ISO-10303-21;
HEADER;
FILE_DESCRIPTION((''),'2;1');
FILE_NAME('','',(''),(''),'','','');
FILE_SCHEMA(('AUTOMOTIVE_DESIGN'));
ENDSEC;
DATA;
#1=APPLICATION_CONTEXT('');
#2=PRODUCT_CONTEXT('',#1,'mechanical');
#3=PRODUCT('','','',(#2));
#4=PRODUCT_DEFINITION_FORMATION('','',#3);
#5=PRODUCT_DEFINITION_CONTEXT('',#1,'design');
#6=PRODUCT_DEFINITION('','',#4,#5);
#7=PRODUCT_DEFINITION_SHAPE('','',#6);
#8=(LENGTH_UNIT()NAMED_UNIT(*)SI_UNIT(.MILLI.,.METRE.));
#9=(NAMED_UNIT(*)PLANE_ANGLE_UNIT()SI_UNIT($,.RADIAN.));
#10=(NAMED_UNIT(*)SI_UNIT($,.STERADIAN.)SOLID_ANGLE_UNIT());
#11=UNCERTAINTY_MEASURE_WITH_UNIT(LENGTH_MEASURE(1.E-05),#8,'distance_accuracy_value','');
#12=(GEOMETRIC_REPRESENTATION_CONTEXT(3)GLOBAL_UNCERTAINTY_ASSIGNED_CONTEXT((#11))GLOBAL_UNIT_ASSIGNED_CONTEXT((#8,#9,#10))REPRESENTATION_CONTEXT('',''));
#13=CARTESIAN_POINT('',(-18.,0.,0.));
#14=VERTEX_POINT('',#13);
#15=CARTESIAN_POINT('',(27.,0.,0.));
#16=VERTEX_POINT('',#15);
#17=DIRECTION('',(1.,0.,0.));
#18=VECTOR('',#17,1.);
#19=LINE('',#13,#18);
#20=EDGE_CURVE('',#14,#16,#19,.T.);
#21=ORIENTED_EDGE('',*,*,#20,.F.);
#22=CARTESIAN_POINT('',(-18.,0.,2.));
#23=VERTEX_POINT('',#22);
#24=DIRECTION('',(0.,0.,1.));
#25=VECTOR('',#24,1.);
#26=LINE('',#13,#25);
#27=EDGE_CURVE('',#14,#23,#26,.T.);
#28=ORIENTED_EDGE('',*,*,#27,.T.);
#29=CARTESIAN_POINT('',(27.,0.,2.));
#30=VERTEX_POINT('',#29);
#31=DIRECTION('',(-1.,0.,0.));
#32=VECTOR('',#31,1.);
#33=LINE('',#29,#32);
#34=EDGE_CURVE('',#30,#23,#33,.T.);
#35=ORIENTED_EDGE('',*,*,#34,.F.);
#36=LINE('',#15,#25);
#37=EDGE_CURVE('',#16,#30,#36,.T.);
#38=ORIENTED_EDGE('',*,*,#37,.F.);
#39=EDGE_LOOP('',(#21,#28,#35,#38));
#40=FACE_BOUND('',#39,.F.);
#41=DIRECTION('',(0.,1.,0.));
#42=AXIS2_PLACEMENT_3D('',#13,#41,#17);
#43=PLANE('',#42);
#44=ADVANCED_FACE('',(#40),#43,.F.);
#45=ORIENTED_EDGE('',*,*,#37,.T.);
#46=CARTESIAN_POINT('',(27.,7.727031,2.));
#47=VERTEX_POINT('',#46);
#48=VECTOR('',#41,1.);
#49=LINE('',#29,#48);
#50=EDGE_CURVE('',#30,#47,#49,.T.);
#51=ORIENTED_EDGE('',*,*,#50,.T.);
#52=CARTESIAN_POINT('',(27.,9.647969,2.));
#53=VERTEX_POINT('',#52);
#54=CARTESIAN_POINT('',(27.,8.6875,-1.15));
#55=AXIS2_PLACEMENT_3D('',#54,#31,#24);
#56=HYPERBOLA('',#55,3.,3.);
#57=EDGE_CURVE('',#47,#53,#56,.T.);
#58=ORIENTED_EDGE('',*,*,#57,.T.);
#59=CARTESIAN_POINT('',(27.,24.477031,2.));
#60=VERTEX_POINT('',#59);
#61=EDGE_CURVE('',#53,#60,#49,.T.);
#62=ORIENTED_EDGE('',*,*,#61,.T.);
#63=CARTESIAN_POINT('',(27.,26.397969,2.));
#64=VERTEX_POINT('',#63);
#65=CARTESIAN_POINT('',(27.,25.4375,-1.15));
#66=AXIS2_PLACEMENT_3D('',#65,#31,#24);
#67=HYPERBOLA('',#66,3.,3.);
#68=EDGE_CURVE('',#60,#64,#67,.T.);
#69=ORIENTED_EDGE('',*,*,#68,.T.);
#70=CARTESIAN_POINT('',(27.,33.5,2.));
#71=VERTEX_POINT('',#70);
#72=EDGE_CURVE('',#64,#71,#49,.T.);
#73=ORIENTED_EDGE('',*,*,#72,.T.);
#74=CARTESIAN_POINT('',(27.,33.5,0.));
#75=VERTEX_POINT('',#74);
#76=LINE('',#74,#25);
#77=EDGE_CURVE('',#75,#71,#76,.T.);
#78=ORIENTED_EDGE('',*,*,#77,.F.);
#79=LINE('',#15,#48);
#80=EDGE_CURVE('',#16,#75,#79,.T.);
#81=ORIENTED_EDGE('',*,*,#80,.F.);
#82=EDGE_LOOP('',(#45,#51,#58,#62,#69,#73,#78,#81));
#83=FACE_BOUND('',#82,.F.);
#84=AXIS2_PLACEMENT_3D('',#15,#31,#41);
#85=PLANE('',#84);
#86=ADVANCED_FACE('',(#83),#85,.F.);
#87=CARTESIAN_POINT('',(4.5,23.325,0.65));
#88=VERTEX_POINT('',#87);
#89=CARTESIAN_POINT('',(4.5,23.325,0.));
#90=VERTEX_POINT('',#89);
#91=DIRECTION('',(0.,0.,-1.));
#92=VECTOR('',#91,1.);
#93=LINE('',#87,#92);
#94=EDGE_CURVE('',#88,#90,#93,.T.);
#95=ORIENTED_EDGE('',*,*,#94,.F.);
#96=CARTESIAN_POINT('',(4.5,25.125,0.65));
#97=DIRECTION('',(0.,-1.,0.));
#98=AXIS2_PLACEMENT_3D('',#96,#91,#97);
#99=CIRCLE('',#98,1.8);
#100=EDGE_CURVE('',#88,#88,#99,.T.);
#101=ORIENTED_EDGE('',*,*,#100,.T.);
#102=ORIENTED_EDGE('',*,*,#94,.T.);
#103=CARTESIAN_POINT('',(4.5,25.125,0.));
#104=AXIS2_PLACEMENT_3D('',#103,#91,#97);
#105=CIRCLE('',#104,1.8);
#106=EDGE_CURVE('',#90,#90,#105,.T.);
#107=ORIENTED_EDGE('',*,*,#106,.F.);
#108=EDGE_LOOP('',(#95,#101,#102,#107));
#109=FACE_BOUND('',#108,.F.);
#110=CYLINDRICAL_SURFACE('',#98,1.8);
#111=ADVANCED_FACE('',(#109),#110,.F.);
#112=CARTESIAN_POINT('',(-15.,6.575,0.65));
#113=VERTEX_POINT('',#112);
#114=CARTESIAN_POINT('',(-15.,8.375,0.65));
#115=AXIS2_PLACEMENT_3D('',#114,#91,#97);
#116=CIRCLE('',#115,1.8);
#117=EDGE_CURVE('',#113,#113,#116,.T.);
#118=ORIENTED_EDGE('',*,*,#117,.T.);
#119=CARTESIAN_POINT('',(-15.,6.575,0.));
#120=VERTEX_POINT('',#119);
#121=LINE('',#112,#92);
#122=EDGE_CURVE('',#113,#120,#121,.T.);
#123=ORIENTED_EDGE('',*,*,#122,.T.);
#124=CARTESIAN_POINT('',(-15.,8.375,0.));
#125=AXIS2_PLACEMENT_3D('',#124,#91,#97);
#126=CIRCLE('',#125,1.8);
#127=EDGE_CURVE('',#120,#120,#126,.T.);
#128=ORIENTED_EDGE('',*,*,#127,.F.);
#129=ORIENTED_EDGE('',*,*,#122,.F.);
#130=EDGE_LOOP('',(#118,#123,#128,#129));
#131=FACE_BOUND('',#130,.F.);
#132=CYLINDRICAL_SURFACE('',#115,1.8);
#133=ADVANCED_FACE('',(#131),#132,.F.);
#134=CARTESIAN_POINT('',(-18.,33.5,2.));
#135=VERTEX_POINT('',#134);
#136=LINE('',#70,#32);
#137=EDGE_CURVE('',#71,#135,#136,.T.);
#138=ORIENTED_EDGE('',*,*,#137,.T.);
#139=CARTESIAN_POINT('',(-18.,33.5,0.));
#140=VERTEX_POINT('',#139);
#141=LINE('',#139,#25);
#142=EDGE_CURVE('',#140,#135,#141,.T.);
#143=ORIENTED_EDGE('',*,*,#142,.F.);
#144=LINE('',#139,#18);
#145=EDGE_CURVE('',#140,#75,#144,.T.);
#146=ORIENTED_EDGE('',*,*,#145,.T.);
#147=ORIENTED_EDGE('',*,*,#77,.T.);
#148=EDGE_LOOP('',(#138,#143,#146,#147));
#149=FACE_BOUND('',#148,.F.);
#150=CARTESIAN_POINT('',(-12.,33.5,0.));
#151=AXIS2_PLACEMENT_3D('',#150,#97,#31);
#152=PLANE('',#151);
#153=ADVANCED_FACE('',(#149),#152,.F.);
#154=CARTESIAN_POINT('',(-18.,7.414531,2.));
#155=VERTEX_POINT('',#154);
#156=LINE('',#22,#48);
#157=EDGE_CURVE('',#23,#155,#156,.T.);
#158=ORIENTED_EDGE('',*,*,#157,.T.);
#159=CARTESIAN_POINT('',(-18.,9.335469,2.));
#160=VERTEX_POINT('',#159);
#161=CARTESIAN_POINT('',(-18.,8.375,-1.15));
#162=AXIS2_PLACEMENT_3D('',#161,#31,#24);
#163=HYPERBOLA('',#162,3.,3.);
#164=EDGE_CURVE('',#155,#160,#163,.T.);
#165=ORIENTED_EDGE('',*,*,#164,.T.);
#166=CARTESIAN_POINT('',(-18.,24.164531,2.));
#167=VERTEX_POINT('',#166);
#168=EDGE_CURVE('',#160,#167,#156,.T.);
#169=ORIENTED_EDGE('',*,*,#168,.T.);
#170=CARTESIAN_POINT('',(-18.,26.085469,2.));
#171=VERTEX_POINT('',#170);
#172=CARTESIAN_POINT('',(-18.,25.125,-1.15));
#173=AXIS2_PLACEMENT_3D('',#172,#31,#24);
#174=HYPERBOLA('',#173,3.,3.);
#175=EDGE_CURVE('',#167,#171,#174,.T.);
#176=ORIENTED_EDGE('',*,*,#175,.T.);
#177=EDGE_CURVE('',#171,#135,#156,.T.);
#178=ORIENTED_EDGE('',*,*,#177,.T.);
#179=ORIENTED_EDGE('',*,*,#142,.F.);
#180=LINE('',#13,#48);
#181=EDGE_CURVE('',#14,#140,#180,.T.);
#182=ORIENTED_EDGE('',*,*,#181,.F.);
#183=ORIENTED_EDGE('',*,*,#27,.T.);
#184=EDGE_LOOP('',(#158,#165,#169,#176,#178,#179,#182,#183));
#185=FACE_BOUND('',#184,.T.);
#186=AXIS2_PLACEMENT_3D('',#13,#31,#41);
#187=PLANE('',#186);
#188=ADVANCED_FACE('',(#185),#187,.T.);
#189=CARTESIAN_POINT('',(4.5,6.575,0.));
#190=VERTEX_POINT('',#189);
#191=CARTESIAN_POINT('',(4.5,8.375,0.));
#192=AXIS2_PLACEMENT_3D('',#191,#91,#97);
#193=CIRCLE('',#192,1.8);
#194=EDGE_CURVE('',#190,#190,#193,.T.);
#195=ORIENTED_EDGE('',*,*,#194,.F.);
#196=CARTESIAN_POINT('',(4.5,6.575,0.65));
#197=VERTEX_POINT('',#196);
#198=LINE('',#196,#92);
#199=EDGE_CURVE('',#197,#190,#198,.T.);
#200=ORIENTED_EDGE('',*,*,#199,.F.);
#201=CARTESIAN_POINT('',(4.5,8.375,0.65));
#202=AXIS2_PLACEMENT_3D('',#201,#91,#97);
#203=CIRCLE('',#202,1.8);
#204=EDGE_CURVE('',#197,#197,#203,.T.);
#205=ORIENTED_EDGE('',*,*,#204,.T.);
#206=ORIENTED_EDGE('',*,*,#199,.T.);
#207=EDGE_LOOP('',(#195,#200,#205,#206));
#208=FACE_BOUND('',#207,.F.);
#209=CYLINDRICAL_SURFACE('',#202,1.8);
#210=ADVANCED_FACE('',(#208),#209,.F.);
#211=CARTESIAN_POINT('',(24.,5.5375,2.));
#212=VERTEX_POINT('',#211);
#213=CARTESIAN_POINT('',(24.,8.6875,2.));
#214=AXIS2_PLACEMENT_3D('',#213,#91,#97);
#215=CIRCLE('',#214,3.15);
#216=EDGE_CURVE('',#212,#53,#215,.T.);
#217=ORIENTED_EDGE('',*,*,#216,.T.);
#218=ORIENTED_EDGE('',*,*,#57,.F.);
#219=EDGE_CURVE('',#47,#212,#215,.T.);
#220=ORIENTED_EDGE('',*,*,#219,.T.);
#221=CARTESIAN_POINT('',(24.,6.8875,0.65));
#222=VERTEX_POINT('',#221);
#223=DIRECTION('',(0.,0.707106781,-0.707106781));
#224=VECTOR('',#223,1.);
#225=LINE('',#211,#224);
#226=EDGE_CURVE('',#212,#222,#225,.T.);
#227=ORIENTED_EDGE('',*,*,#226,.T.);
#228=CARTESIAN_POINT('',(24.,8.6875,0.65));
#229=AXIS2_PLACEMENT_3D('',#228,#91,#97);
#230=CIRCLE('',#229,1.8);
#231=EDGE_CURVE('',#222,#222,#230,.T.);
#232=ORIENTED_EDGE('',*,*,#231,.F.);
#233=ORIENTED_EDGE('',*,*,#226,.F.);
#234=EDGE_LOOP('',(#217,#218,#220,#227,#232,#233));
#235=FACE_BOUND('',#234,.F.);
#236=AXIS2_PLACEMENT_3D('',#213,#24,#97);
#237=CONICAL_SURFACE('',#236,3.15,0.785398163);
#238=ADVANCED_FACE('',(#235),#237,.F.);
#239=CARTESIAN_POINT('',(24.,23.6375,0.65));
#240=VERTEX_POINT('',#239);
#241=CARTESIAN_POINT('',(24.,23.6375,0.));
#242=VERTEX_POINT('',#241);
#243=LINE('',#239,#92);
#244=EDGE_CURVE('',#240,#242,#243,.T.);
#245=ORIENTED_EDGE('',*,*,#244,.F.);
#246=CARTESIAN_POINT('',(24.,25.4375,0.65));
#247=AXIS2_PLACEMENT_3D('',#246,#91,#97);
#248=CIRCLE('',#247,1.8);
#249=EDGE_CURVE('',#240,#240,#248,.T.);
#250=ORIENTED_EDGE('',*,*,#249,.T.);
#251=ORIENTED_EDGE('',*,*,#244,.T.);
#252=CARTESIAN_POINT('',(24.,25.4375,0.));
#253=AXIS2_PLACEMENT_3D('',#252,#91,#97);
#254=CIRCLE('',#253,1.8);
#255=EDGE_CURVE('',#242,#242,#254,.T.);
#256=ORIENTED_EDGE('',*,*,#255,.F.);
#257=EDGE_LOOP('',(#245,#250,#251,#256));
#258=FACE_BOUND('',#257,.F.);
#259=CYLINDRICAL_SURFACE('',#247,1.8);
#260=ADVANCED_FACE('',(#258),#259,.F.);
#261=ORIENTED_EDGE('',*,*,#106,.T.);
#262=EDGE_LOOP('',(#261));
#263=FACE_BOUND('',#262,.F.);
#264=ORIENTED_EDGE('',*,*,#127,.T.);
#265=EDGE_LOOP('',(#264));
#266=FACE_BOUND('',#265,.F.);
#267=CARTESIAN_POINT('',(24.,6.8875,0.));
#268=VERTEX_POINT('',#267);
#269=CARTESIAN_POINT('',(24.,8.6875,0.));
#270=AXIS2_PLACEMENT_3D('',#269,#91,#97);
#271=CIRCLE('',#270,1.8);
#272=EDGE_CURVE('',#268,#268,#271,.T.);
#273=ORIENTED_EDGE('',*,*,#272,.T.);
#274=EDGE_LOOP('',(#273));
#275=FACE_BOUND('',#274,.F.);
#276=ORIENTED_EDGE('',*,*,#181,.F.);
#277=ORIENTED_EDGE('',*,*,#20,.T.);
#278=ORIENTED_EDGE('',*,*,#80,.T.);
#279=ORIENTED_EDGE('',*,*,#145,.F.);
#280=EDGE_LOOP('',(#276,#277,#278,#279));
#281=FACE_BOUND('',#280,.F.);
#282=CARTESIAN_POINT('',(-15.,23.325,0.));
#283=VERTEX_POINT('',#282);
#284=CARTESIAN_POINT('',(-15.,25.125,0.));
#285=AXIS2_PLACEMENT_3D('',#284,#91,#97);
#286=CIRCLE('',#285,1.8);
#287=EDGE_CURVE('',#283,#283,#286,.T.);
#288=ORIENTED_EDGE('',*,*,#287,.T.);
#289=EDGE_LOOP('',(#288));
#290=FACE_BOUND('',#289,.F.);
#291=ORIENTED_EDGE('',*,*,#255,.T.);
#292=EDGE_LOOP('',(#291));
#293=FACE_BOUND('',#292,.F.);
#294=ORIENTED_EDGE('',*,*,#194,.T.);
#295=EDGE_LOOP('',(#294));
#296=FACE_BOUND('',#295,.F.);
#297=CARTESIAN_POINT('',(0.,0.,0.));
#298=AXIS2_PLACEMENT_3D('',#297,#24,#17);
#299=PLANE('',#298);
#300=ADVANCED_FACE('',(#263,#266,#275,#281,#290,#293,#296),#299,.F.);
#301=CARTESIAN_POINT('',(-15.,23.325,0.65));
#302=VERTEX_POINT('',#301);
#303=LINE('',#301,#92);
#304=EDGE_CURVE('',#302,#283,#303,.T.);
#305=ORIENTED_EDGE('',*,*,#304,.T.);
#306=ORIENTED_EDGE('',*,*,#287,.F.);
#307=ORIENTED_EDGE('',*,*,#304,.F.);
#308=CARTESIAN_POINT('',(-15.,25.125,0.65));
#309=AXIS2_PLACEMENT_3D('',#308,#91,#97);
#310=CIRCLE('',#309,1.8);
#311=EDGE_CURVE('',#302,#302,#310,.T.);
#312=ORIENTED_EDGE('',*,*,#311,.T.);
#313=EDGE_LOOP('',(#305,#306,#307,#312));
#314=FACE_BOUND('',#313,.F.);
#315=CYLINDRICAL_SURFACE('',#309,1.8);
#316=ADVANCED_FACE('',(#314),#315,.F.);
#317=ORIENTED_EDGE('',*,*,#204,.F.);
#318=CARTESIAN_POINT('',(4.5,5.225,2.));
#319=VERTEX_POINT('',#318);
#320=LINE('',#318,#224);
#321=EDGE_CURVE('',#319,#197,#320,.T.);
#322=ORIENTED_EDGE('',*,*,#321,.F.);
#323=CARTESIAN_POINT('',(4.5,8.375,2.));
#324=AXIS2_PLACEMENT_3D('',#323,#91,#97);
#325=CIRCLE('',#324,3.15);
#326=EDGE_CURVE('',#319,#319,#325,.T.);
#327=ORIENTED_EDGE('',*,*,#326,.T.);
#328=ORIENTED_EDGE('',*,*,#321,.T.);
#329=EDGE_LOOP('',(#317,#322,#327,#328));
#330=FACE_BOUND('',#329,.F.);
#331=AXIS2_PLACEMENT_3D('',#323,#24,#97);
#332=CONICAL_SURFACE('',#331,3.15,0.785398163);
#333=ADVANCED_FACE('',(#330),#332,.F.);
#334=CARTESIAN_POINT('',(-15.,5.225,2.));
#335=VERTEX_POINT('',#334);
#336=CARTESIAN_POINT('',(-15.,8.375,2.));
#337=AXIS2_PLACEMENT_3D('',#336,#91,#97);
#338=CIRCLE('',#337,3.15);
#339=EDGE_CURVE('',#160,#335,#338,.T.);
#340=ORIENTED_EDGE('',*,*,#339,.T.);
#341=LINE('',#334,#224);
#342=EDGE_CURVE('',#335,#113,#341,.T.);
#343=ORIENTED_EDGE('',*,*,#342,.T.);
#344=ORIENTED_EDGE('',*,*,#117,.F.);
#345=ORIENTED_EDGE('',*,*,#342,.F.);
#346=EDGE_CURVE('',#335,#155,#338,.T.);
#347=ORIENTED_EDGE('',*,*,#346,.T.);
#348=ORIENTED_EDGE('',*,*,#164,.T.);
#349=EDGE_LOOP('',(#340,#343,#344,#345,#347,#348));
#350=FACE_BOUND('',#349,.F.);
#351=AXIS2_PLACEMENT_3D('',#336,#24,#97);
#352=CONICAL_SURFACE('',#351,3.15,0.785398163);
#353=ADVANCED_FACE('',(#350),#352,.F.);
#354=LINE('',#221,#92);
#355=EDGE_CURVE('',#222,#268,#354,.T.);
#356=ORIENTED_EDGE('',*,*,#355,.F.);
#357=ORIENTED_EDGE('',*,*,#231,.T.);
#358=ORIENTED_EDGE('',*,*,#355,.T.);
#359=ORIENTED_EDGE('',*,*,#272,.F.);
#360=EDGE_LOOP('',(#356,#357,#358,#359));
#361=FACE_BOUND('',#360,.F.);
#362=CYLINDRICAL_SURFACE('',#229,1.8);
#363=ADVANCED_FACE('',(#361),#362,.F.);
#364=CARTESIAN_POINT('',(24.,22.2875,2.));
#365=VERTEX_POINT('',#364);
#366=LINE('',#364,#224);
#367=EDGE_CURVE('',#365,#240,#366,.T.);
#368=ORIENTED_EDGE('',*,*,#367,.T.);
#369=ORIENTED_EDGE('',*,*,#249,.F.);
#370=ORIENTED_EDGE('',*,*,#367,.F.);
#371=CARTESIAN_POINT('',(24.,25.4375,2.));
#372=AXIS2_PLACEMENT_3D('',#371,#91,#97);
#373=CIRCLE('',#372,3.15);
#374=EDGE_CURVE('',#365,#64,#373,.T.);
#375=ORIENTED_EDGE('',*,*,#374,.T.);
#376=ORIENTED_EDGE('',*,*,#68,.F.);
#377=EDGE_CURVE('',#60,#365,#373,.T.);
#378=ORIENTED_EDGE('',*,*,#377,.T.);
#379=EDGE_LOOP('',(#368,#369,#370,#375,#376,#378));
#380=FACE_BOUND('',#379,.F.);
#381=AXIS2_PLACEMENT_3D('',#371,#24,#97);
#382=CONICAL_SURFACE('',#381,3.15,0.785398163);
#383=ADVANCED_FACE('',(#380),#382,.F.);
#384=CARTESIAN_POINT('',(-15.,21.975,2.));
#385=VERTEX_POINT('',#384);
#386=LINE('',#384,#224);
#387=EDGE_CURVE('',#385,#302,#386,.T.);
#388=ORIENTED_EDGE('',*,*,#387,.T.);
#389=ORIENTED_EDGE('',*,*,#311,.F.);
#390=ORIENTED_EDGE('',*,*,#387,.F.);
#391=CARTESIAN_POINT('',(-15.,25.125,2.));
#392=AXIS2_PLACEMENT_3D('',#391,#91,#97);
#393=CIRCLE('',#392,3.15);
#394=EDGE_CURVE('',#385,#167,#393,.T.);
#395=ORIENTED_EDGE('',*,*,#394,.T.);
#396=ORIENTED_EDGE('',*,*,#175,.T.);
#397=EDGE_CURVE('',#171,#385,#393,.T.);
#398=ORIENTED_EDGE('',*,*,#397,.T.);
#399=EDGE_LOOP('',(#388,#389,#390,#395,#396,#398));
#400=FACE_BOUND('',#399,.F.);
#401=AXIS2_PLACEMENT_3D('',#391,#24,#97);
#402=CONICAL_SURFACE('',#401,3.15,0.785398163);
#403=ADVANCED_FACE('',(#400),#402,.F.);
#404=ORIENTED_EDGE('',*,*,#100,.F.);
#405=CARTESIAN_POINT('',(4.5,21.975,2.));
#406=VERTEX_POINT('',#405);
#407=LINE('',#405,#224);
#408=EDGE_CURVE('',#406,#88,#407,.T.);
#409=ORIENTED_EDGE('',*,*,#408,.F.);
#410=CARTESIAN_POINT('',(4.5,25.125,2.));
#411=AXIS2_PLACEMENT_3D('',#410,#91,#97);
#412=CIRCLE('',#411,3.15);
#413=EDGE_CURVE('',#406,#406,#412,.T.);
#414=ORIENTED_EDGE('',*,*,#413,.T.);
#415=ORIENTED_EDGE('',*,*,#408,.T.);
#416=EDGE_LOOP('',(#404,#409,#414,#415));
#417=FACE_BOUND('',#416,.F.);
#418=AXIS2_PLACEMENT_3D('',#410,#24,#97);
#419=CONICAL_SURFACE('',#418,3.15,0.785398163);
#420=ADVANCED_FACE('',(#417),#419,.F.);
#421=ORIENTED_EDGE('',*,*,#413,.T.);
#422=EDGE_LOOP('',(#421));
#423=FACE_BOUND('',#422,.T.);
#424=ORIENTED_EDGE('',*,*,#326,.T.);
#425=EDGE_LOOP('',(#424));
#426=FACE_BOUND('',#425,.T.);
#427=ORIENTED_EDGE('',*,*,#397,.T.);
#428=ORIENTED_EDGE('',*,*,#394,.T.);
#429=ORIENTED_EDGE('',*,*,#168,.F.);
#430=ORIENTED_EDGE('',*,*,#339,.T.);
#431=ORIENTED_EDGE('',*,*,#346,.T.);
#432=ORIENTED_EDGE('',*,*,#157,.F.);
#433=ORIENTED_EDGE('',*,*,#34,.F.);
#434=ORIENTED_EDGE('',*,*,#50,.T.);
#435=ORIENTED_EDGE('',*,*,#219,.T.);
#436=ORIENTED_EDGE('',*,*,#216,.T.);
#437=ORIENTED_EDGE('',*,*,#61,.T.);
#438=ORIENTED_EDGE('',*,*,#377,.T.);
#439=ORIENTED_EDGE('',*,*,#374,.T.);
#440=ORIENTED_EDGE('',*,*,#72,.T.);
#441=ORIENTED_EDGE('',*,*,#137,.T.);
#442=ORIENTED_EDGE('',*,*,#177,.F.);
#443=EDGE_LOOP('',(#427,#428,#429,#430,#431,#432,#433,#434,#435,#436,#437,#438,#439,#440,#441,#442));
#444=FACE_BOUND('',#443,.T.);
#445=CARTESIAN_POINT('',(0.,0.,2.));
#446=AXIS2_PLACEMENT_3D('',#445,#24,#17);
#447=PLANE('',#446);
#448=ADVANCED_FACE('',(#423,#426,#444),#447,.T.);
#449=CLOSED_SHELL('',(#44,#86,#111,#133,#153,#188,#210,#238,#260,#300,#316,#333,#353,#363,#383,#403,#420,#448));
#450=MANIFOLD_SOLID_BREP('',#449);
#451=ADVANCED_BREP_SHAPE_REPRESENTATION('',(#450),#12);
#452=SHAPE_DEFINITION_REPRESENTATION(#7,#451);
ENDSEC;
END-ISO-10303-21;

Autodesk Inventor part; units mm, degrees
ref_plane "YZ Plane" through (0, 0, 0) normal (1, 0, 0) x (0, 1, 0)
ref_plane "XZ Plane" through (0, 0, 0) normal (0, 1, 0) x (-1, 0, 0)
ref_plane "Work Plane1" through (0, 0, 0) normal (0, 0, 1) x (1, 0, 0)
sketch "Sketch1" plane through (0, 0, 0) normal (0, 0, 1) x (1, 0, 0)
  line L0 (-12, 33.5) -> (-18, 33.5) projected
  line L1 (-18, 0) -> (-18, 33.5) projected
  line L2 (-18, 0) -> (-12, 0) projected
  line L3 (-12, 0) -> (-12, 33.5) projected
  line L4 (27, 33.5) -> (21, 33.5) projected
  line L5 (21, 0) -> (21, 33.5) projected
  line L6 (21, 0) -> (27, 0) projected
  line L7 (27, 0) -> (27, 33.5) projected
  line L8 (-18, 33.5) -> (27, 33.5)
  line L9 (27, 33.5) -> (27, 0)
  line L10 (27, 0) -> (-18, 0)
  line L11 (-18, 0) -> (-18, 33.5)
  circle A0 centre (-15, 25.125) radius 2.3 projected
  circle A1 centre (-15, 8.375) radius 2.3 projected
  circle A2 centre (24, 25.4375) radius 2.3 projected
  circle A3 centre (24, 8.6875) radius 2.3 projected
  point P0 (0, 0)
ref_plane "Work Plane2" through (-69.2, 0, 2) normal (0, 0, -1) x (0, 1, 0)
extrude "Extrusion1" add sketch "Sketch1" along normal up to surface (2 mm away) contours L3 L2 L1 L0 | L8 L5 L10 L3 | L4 L7 L6 L5 | A0 | A1 | A2 | A3
sketch "Sketch2" plane through (-18, 33.5, 2) normal (0, 0, 1) x (1, 0, 0)
  circle A0 centre (3, -8.375) radius 2.3 projected
  circle A1 centre (3, -25.125) radius 2.3 projected
  line L0 (6, 0) -> (0, 0) projected
  line L1 (0, -33.5) -> (0, 0) projected
  line L2 (0, -33.5) -> (6, -33.5) projected
  line L3 (6, -33.5) -> (6, 0) projected
  circle A2 centre (22.5, -25.125) radius 2.3 projected
  circle A3 centre (22.5, -8.375) radius 2.3 projected
  line L4 (27, 0) -> (18, 0) projected
  line L5 (18, -33.5) -> (18, 0) projected
  line L6 (18, -33.5) -> (27, -33.5) projected
  line L7 (27, -33.5) -> (27, 0) projected
  circle A4 centre (42, -8.0625) radius 2.3 projected
  circle A5 centre (42, -24.8125) radius 2.3 projected
  line L8 (45, 0) -> (39, 0) projected
  line L9 (39, -33.5) -> (39, 0) projected
  line L10 (39, -33.5) -> (45, -33.5) projected
  line L11 (45, -33.5) -> (45, 0) projected
hole "Hole1" at (-15, 25.125, 2) at (-15, 8.375, 2) at (4.5, 8.375, 2) at (4.5, 25.125, 2) at (24, 25.4375, 2) at (24, 8.6875, 2) direction (0, 0, -1) diameter 3.6 end through all countersink diameter 6.3 countersink angle 90 clearance for "Countersunk Flat Head Screw ISO 2009/7046" size "M3" standard "ISO"
properties part number "front_gear_holder" material "ABS Plastic"
